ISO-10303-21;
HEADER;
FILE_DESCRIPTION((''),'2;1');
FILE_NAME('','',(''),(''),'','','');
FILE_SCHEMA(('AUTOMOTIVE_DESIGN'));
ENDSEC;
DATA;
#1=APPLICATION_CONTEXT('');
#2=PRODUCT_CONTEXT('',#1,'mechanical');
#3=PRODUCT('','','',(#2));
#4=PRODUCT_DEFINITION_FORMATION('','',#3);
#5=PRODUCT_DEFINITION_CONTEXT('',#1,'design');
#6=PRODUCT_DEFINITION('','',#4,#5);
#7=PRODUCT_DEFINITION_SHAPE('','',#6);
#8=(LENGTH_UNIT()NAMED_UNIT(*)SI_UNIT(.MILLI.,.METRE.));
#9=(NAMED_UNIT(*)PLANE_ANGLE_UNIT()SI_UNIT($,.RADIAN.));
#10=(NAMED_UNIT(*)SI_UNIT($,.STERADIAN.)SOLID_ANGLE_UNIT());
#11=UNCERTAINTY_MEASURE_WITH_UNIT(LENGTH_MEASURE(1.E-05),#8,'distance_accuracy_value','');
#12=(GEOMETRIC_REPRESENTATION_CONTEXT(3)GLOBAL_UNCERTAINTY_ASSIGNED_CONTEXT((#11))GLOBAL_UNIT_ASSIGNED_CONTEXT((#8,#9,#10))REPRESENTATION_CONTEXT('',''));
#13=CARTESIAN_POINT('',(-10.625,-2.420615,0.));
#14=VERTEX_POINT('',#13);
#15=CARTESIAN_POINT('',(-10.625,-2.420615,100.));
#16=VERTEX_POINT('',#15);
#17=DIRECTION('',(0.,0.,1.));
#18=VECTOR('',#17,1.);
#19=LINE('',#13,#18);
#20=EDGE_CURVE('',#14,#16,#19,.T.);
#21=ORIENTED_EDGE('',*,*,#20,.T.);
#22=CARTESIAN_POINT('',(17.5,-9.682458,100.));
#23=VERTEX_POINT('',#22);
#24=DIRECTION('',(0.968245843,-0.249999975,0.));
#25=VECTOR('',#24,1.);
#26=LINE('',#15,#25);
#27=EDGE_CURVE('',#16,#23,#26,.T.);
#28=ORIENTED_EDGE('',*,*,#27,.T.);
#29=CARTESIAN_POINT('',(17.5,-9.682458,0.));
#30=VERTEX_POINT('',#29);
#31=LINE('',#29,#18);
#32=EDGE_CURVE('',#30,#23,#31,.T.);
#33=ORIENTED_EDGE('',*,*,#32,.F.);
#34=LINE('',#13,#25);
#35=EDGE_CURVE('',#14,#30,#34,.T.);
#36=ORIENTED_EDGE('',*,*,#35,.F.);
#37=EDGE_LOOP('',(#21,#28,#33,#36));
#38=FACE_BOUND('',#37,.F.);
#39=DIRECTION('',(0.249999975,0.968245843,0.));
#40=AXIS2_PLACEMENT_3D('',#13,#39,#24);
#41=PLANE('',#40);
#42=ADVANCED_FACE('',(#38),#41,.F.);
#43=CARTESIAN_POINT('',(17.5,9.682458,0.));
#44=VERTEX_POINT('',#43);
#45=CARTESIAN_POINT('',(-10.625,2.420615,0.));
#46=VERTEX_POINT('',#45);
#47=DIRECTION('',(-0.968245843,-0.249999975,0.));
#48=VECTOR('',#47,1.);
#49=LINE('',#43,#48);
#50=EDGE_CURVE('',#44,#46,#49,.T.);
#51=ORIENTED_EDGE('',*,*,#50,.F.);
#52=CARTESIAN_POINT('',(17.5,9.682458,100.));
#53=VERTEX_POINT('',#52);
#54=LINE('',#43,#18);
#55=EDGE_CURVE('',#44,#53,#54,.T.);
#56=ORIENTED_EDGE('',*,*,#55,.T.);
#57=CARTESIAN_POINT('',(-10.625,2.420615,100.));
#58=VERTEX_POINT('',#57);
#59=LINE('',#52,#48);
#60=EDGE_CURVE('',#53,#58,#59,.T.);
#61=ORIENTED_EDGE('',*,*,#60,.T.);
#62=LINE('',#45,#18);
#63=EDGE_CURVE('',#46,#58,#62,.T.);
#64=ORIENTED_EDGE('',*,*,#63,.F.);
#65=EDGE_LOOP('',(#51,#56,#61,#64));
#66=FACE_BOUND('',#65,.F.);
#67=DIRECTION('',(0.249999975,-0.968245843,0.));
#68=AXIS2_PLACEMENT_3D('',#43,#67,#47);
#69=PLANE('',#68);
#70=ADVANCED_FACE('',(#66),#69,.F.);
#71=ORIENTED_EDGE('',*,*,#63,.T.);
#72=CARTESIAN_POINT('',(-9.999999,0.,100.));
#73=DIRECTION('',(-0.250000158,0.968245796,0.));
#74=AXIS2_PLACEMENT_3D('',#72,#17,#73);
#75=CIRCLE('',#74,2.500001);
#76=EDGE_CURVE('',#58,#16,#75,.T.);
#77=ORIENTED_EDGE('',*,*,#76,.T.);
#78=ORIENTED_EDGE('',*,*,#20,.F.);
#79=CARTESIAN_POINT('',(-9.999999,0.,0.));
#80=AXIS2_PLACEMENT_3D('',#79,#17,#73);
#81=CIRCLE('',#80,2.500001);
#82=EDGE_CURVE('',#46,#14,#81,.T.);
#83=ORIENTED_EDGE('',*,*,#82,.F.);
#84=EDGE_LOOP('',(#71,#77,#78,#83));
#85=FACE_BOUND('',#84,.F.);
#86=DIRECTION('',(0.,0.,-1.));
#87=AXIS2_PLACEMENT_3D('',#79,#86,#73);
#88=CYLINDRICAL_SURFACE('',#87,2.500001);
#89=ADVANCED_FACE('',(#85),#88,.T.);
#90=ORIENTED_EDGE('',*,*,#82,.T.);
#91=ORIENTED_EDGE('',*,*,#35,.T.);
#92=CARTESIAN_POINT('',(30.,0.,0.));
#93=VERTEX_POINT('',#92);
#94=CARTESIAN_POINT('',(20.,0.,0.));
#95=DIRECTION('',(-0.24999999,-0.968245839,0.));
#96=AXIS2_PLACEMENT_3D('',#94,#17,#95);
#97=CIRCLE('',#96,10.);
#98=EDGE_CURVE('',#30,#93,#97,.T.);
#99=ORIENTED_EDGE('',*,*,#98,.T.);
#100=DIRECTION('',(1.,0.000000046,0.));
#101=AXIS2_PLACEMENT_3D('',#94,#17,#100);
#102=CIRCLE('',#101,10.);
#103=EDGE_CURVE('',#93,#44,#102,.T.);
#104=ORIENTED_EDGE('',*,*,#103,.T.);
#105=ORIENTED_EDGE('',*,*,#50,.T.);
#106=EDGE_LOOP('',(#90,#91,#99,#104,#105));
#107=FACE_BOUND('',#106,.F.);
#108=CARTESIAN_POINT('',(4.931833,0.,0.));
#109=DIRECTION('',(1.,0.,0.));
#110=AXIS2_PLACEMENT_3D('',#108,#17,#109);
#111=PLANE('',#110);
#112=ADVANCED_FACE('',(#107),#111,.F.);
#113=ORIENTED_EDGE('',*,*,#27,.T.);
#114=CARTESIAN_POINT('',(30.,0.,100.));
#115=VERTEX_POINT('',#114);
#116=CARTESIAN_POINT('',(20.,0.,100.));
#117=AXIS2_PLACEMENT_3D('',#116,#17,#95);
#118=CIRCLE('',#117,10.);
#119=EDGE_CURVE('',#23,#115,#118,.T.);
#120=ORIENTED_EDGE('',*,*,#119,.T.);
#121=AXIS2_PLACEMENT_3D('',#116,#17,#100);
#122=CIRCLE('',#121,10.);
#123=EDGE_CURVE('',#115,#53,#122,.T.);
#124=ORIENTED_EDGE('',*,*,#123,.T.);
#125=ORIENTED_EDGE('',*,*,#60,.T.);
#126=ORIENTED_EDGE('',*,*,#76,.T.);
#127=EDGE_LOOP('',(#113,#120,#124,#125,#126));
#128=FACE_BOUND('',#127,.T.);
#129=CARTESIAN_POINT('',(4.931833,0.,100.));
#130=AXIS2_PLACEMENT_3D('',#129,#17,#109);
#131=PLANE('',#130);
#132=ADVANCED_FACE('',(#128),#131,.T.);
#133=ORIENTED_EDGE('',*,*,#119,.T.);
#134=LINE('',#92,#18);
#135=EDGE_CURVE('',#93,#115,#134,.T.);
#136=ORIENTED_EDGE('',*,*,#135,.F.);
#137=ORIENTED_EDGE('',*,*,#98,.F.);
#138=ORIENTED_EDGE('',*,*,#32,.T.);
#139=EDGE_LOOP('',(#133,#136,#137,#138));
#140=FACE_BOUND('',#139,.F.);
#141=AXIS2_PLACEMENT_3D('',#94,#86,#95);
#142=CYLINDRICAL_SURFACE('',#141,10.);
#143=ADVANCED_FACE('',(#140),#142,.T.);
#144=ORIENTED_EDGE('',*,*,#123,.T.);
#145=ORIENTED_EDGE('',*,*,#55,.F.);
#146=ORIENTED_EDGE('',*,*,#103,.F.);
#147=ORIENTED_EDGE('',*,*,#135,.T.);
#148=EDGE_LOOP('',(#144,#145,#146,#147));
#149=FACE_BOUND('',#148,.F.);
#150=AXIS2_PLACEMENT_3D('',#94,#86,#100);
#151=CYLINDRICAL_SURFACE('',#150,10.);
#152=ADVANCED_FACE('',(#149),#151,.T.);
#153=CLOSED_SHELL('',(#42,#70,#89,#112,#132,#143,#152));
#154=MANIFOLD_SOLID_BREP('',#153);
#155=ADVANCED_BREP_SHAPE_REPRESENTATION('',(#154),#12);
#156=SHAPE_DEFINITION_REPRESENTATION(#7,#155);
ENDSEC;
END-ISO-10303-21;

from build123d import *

# Parameters (mm, degrees)
F1_DEPTH = 100


with BuildPart() as f1:
    # F0 (on Top) → F1 (new body)
    with BuildSketch(Plane.XY):
        with BuildLine():
            ThreePointArc((-10.625, 2.420615), (-8.469069, 1.976424), (-7.5, 0))
            ThreePointArc((-7.5, 0), (-8.469069, -1.976424), (-10.625, -2.420615))
            Line((-10.625, -2.420615), (17.5, -9.682458))
            ThreePointArc((17.5, -9.682458), (10, 0), (17.5, 9.682458))
            Line((17.5, 9.682458), (-10.625, 2.420615))
        make_face()
        with BuildLine():
            ThreePointArc((30, 0), (26.123724, 7.905694), (17.5, 9.682458))
            ThreePointArc((17.5, 9.682458), (10, 0), (17.5, -9.682458))
            ThreePointArc((17.5, -9.682458), (26.123724, -7.905694), (30, 0))
        make_face()
        with BuildLine():
            ThreePointArc((-10.625, -2.420615), (-8.469069, -1.976424), (-7.5, 0))
            ThreePointArc((-7.5, 0), (-8.469069, 1.976424), (-10.625, 2.420615))
            ThreePointArc((-10.625, 2.420615), (-12.5, 0), (-10.625, -2.420615))
        make_face()
    extrude(amount=F1_DEPTH)


solid = f1.part
